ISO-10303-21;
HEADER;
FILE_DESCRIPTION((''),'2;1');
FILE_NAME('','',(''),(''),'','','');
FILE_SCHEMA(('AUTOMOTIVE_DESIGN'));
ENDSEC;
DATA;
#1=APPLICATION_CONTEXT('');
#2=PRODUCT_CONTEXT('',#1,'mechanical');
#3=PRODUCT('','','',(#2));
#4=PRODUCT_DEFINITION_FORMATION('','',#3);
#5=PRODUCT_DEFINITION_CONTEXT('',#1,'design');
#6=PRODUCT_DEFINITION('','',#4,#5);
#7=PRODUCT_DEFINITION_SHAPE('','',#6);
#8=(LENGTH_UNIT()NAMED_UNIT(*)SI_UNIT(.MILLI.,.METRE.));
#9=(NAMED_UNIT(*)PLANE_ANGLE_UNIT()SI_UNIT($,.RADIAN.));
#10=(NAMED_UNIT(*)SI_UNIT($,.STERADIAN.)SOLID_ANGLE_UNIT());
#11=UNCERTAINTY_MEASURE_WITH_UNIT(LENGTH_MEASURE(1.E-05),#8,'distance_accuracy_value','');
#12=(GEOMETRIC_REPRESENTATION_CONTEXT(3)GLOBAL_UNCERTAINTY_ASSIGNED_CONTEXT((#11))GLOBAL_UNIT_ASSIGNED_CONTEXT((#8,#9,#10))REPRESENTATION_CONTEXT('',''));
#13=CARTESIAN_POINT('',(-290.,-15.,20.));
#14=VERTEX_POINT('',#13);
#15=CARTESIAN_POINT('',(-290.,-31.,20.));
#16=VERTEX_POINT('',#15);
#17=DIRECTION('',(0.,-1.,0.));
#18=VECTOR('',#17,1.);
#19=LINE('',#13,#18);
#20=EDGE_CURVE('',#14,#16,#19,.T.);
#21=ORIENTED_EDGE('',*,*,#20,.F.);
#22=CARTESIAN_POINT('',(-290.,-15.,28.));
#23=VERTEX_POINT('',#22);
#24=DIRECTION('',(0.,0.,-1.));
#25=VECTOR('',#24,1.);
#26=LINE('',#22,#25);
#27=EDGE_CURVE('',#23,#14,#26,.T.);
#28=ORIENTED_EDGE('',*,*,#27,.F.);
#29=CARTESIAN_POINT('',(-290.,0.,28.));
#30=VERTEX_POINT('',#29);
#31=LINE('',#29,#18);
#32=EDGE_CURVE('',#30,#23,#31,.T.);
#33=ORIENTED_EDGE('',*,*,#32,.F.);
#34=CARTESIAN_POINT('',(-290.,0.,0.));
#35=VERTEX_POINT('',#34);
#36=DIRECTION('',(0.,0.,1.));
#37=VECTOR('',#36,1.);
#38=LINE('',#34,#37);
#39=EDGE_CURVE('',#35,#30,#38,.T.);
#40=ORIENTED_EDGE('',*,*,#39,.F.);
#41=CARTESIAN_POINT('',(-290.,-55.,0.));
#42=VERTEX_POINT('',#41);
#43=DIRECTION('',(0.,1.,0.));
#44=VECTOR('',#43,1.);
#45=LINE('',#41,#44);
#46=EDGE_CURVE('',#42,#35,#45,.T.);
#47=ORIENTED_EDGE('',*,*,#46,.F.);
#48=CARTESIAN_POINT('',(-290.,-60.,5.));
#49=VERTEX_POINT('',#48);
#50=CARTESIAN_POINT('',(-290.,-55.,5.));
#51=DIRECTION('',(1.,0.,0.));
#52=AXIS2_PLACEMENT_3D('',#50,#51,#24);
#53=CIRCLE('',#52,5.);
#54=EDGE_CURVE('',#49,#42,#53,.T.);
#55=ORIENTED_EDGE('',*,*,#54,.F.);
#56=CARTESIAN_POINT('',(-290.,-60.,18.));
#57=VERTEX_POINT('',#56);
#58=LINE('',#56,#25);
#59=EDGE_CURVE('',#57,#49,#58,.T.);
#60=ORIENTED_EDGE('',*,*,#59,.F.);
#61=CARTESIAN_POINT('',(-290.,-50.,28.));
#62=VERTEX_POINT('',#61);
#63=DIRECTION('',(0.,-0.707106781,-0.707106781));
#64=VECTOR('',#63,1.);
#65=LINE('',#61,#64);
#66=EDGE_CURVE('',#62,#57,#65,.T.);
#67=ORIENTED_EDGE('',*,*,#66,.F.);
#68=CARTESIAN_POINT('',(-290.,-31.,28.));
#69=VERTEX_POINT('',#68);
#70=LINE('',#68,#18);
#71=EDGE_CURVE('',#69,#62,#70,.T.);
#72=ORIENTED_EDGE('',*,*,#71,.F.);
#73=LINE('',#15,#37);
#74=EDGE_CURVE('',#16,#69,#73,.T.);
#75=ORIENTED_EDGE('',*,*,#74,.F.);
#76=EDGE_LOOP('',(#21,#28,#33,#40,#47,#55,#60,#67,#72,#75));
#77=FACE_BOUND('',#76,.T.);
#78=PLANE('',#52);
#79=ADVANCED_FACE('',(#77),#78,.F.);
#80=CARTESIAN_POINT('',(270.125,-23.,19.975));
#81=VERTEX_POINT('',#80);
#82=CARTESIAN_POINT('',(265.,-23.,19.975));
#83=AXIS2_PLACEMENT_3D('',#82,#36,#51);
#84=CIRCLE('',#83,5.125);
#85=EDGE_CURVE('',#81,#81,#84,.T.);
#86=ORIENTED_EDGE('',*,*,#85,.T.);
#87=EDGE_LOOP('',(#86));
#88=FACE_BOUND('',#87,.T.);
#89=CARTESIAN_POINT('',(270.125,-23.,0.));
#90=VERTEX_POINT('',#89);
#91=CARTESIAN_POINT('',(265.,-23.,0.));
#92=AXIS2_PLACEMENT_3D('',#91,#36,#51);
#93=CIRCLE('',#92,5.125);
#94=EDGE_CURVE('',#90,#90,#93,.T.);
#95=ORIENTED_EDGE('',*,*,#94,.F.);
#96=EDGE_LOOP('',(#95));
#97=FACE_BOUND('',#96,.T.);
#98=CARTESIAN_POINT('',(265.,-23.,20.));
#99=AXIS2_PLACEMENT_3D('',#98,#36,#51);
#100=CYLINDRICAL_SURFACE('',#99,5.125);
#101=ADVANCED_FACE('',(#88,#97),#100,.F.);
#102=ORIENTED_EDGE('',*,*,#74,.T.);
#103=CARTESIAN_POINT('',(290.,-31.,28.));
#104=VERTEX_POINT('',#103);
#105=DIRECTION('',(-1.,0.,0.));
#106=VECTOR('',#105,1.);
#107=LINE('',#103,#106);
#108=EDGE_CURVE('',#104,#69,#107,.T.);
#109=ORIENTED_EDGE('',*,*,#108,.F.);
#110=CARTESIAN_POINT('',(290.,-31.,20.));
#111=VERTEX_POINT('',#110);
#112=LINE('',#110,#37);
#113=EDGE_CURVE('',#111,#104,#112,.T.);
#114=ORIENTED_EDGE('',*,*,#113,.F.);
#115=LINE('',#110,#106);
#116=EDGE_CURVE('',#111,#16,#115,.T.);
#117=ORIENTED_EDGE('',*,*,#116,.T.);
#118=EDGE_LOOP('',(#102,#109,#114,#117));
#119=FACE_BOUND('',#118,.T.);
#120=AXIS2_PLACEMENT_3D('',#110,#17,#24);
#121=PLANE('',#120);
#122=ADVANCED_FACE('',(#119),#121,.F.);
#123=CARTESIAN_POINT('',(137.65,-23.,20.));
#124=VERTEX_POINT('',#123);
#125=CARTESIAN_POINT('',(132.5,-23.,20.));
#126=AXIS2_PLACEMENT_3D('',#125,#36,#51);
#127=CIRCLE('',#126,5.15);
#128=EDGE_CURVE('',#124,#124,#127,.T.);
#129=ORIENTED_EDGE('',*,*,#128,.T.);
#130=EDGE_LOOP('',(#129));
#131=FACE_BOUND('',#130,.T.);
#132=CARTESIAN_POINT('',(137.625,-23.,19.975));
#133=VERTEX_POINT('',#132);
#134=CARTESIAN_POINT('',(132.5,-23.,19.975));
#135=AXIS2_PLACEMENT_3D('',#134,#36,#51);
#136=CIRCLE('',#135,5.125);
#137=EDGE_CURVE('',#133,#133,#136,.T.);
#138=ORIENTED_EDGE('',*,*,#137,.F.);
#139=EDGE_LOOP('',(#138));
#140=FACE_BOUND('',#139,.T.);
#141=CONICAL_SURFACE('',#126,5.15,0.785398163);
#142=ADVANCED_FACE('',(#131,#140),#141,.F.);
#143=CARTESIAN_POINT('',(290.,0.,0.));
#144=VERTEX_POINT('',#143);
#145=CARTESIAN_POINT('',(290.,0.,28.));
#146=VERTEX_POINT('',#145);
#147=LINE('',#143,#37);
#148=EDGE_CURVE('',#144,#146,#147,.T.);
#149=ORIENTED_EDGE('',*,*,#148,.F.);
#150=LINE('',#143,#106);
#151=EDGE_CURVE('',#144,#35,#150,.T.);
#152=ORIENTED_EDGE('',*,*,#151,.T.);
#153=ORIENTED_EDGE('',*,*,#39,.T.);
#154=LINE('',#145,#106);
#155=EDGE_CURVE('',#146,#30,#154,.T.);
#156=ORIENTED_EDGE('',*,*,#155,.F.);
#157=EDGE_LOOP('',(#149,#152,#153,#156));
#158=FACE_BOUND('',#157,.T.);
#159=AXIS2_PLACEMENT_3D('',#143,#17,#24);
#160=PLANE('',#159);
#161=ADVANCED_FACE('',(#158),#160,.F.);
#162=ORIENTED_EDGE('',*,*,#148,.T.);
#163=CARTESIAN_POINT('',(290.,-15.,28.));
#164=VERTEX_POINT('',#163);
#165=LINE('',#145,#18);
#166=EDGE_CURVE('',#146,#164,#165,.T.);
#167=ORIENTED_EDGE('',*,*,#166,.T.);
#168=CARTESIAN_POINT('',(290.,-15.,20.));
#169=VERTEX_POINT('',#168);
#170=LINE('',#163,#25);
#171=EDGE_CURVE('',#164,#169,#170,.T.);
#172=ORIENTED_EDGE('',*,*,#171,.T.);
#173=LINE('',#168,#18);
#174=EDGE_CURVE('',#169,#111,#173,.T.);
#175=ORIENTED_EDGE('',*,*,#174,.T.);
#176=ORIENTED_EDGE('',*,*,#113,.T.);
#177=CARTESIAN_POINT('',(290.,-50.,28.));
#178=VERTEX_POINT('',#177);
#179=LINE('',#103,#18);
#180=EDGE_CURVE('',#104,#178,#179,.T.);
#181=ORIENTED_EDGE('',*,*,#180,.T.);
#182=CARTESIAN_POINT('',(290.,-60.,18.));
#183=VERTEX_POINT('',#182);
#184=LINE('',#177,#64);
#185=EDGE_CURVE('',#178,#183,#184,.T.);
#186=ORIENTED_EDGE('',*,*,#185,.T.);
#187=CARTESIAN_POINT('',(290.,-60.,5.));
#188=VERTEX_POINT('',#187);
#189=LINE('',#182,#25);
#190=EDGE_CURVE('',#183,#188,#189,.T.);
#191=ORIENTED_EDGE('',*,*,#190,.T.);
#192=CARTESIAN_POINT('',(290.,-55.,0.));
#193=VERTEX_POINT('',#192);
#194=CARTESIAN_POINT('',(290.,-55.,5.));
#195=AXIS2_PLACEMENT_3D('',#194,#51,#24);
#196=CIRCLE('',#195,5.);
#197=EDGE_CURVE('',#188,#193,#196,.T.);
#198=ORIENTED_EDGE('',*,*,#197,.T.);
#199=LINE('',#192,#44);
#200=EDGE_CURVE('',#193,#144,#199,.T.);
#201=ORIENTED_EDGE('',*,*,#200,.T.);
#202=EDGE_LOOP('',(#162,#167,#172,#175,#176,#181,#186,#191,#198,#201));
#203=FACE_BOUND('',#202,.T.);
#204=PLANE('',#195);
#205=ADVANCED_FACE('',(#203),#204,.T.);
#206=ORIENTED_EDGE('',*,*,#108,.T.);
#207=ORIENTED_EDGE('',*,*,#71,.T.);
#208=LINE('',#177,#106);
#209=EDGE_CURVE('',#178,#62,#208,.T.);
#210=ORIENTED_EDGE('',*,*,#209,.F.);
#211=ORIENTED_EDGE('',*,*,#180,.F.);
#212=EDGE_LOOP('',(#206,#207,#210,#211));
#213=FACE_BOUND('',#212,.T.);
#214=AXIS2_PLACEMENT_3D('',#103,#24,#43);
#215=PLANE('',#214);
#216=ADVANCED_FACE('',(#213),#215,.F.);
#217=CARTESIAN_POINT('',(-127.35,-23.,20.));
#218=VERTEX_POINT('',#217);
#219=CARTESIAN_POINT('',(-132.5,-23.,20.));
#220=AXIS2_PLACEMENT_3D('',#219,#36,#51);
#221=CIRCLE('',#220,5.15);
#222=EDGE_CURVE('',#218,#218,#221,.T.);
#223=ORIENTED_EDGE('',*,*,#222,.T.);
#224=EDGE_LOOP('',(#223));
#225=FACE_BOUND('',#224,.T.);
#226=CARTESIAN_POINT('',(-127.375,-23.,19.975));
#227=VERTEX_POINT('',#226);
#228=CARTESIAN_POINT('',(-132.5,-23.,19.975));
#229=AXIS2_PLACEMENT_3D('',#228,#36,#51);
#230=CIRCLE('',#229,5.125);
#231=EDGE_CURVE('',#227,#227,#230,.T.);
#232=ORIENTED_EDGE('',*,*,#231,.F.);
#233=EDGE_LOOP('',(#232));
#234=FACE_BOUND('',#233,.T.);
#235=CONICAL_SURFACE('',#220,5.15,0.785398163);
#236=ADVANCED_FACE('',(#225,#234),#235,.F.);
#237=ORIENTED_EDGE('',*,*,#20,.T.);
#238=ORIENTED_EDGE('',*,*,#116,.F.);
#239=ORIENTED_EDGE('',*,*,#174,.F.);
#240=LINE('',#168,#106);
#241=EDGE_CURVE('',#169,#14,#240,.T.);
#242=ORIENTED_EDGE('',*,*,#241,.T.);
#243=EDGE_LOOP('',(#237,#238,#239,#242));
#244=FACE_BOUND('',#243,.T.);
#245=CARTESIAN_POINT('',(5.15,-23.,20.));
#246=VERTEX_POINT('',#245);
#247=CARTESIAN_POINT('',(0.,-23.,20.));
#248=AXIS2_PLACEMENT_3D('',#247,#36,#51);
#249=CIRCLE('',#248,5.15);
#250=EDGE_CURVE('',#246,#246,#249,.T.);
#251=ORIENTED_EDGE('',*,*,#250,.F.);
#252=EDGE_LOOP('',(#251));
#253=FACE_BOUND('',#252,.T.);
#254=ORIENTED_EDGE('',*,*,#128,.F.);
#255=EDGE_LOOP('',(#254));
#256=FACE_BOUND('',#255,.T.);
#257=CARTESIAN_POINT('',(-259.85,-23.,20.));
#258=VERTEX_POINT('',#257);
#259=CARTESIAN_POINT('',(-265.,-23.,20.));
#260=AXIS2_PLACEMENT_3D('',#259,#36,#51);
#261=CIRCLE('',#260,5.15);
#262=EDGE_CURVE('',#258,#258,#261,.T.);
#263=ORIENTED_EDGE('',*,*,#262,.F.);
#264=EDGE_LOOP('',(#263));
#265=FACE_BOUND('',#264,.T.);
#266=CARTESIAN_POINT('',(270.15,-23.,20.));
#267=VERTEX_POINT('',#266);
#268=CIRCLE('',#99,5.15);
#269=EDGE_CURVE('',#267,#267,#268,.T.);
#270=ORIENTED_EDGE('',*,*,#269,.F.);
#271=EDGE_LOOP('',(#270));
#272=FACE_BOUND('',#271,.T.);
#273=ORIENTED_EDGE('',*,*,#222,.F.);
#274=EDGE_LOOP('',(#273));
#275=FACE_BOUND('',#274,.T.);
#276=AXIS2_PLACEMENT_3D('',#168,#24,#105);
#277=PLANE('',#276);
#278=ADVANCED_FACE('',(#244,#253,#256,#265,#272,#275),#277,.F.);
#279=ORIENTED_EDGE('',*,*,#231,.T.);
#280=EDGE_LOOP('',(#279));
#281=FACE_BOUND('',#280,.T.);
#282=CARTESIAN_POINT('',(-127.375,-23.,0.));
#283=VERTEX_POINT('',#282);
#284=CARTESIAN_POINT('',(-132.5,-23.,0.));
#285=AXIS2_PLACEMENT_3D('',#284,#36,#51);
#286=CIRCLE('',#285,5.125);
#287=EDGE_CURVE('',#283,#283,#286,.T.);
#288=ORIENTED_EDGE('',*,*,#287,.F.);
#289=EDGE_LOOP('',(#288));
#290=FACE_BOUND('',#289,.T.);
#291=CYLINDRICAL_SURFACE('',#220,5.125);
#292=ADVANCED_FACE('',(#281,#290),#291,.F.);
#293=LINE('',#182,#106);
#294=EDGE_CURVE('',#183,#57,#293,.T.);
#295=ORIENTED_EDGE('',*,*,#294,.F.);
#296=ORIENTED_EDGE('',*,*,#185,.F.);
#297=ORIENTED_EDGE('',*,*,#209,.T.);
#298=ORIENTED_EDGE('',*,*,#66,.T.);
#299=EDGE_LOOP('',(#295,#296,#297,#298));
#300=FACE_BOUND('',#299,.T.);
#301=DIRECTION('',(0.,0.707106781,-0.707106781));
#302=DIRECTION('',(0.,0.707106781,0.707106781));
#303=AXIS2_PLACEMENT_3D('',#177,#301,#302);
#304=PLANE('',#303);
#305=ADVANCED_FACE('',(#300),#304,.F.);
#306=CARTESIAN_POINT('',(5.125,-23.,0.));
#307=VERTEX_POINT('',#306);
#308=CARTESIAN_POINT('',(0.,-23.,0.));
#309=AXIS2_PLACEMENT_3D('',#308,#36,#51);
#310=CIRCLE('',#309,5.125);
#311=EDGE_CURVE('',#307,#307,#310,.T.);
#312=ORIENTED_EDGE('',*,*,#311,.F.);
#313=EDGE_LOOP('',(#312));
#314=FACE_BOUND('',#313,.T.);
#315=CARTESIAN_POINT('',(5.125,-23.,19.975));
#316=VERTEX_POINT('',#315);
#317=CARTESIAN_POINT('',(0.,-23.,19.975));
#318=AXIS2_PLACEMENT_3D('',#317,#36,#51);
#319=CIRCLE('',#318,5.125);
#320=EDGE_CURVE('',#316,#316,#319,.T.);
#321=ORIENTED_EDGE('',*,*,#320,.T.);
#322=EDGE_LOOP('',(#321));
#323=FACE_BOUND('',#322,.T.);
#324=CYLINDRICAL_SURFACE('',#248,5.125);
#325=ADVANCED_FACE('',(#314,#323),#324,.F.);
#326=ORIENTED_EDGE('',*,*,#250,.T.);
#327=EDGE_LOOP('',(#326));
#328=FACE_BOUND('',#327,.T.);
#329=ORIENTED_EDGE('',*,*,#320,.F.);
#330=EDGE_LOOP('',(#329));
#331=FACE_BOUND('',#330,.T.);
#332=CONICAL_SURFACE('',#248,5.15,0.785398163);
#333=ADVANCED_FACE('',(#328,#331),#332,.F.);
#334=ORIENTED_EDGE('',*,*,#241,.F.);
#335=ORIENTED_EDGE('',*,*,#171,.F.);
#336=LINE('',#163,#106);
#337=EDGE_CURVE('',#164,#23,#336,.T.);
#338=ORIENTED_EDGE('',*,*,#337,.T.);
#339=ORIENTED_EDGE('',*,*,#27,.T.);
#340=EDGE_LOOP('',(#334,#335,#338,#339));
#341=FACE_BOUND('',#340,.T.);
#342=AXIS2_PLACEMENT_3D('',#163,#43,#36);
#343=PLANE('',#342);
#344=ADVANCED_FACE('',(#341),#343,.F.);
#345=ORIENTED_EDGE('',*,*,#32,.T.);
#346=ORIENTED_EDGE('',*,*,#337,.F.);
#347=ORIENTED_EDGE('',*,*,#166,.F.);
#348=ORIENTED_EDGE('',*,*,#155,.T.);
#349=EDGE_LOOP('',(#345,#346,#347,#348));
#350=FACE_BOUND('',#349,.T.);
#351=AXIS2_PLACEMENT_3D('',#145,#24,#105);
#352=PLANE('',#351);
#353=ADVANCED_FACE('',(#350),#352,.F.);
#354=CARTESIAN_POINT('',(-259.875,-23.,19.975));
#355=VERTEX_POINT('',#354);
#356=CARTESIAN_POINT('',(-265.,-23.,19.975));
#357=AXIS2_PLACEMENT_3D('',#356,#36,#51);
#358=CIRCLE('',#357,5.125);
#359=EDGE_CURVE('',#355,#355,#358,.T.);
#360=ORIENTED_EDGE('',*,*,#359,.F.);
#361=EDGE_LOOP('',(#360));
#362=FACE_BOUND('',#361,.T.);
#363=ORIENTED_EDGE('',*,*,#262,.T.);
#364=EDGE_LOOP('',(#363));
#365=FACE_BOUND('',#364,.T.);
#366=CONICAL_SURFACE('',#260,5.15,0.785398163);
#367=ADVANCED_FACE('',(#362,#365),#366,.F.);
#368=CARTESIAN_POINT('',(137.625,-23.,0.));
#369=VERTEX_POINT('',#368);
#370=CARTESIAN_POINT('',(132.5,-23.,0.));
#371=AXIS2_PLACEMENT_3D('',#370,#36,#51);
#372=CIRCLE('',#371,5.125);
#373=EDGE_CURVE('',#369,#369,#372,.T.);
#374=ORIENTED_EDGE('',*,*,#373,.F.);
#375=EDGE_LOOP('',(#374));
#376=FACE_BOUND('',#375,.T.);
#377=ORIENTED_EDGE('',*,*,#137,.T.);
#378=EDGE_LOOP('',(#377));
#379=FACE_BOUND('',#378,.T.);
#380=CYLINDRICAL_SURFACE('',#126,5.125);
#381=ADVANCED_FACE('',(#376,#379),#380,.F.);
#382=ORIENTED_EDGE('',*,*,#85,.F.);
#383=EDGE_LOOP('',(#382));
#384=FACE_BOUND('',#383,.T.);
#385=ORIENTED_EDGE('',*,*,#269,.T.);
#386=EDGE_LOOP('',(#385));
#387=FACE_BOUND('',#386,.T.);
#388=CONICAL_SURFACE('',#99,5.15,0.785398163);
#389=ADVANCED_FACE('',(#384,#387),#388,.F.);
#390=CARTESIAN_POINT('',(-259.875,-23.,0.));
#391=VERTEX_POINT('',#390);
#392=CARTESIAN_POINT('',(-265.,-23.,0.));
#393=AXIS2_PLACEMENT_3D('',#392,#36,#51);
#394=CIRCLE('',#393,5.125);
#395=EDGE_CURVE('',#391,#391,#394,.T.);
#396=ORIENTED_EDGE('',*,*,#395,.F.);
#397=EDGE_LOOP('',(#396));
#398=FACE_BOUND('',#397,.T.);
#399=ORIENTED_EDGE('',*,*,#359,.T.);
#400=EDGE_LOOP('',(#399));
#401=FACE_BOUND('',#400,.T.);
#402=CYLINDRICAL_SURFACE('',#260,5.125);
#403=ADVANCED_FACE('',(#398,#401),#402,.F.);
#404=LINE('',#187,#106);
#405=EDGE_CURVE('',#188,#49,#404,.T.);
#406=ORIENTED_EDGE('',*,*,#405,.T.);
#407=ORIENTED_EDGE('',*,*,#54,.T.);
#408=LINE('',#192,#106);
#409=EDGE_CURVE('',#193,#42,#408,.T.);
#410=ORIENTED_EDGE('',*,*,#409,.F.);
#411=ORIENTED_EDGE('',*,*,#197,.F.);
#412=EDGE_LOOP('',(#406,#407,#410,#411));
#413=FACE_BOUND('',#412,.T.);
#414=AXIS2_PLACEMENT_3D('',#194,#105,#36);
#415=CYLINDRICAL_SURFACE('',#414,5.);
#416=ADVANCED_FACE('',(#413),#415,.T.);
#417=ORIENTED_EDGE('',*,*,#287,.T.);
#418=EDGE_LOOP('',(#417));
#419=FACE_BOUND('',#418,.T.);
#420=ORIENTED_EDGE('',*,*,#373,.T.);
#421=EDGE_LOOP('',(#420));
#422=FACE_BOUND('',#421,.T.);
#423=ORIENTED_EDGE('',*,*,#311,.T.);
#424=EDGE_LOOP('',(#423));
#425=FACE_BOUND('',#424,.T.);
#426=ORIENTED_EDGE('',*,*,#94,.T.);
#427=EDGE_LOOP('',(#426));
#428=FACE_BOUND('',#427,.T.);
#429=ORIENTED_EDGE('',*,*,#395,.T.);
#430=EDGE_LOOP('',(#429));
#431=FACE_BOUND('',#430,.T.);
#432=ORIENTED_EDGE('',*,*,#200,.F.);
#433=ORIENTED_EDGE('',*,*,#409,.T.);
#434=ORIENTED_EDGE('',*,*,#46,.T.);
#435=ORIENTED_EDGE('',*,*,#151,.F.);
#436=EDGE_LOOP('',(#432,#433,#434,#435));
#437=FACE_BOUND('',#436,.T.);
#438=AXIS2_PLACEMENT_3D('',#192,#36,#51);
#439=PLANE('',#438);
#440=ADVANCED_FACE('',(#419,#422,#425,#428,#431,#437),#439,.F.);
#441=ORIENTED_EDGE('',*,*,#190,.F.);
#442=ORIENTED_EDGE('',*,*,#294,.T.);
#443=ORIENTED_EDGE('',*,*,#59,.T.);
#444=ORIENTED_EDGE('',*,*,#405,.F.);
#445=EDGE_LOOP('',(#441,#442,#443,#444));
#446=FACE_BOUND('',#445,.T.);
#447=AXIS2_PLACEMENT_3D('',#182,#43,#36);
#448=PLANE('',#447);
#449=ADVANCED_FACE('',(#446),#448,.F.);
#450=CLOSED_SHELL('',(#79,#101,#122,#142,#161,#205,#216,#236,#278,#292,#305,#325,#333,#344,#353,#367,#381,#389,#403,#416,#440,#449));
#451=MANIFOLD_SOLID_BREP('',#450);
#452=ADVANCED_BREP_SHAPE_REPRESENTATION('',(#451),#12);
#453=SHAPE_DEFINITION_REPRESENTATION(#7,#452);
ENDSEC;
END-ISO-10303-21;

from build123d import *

# Parameters (mm, degrees)
BOSS_EXTRUDE1_DEPTH                     = 290
TAP_DRILL_FOR_M10_HELICOIL1_D           = 10.25
TAP_DRILL_FOR_M10_HELICOIL1_CSINK_D     = 10.3
TAP_DRILL_FOR_M10_HELICOIL1_CSINK_ANGLE = 90


with BuildPart() as part:
    # Sketch1 → Boss-Extrude1 (new, symmetric)
    with BuildSketch(Plane(origin=(0, 0, 0), x_dir=(0, 0, -1), z_dir=(1, 0, 0))):
        with BuildLine():
            Line((0, 0), (-28, 0))
            Line((-28, 0), (-28, -15))
            Line((-28, -15), (-20, -15))
            Line((-20, -15), (-20, -31))
            Line((-20, -31), (-28, -31))
            Line((-28, -31), (-28, -50))
            Line((-28, -50), (-18, -60))
            Line((-18, -60), (-5, -60))
            ThreePointArc((-5, -60), (-1.464466094, -58.535533906), (0, -55))
            Line((0, -55), (0, 0))
        make_face()
    extrude(amount=BOSS_EXTRUDE1_DEPTH, both=True)

    # Tap Drill for M10 Helicoil1 (through all)
    with Locations(Plane(origin=(-265, -23, 20), x_dir=(1, 0, 0), z_dir=(0, 0, 1))):
        with Locations((0, 0), (132.5, 0), (265, 0), (397.5, 0), (530, 0)):
            CounterSinkHole(TAP_DRILL_FOR_M10_HELICOIL1_D / 2, TAP_DRILL_FOR_M10_HELICOIL1_CSINK_D / 2, counter_sink_angle=TAP_DRILL_FOR_M10_HELICOIL1_CSINK_ANGLE)


solid = part.part
